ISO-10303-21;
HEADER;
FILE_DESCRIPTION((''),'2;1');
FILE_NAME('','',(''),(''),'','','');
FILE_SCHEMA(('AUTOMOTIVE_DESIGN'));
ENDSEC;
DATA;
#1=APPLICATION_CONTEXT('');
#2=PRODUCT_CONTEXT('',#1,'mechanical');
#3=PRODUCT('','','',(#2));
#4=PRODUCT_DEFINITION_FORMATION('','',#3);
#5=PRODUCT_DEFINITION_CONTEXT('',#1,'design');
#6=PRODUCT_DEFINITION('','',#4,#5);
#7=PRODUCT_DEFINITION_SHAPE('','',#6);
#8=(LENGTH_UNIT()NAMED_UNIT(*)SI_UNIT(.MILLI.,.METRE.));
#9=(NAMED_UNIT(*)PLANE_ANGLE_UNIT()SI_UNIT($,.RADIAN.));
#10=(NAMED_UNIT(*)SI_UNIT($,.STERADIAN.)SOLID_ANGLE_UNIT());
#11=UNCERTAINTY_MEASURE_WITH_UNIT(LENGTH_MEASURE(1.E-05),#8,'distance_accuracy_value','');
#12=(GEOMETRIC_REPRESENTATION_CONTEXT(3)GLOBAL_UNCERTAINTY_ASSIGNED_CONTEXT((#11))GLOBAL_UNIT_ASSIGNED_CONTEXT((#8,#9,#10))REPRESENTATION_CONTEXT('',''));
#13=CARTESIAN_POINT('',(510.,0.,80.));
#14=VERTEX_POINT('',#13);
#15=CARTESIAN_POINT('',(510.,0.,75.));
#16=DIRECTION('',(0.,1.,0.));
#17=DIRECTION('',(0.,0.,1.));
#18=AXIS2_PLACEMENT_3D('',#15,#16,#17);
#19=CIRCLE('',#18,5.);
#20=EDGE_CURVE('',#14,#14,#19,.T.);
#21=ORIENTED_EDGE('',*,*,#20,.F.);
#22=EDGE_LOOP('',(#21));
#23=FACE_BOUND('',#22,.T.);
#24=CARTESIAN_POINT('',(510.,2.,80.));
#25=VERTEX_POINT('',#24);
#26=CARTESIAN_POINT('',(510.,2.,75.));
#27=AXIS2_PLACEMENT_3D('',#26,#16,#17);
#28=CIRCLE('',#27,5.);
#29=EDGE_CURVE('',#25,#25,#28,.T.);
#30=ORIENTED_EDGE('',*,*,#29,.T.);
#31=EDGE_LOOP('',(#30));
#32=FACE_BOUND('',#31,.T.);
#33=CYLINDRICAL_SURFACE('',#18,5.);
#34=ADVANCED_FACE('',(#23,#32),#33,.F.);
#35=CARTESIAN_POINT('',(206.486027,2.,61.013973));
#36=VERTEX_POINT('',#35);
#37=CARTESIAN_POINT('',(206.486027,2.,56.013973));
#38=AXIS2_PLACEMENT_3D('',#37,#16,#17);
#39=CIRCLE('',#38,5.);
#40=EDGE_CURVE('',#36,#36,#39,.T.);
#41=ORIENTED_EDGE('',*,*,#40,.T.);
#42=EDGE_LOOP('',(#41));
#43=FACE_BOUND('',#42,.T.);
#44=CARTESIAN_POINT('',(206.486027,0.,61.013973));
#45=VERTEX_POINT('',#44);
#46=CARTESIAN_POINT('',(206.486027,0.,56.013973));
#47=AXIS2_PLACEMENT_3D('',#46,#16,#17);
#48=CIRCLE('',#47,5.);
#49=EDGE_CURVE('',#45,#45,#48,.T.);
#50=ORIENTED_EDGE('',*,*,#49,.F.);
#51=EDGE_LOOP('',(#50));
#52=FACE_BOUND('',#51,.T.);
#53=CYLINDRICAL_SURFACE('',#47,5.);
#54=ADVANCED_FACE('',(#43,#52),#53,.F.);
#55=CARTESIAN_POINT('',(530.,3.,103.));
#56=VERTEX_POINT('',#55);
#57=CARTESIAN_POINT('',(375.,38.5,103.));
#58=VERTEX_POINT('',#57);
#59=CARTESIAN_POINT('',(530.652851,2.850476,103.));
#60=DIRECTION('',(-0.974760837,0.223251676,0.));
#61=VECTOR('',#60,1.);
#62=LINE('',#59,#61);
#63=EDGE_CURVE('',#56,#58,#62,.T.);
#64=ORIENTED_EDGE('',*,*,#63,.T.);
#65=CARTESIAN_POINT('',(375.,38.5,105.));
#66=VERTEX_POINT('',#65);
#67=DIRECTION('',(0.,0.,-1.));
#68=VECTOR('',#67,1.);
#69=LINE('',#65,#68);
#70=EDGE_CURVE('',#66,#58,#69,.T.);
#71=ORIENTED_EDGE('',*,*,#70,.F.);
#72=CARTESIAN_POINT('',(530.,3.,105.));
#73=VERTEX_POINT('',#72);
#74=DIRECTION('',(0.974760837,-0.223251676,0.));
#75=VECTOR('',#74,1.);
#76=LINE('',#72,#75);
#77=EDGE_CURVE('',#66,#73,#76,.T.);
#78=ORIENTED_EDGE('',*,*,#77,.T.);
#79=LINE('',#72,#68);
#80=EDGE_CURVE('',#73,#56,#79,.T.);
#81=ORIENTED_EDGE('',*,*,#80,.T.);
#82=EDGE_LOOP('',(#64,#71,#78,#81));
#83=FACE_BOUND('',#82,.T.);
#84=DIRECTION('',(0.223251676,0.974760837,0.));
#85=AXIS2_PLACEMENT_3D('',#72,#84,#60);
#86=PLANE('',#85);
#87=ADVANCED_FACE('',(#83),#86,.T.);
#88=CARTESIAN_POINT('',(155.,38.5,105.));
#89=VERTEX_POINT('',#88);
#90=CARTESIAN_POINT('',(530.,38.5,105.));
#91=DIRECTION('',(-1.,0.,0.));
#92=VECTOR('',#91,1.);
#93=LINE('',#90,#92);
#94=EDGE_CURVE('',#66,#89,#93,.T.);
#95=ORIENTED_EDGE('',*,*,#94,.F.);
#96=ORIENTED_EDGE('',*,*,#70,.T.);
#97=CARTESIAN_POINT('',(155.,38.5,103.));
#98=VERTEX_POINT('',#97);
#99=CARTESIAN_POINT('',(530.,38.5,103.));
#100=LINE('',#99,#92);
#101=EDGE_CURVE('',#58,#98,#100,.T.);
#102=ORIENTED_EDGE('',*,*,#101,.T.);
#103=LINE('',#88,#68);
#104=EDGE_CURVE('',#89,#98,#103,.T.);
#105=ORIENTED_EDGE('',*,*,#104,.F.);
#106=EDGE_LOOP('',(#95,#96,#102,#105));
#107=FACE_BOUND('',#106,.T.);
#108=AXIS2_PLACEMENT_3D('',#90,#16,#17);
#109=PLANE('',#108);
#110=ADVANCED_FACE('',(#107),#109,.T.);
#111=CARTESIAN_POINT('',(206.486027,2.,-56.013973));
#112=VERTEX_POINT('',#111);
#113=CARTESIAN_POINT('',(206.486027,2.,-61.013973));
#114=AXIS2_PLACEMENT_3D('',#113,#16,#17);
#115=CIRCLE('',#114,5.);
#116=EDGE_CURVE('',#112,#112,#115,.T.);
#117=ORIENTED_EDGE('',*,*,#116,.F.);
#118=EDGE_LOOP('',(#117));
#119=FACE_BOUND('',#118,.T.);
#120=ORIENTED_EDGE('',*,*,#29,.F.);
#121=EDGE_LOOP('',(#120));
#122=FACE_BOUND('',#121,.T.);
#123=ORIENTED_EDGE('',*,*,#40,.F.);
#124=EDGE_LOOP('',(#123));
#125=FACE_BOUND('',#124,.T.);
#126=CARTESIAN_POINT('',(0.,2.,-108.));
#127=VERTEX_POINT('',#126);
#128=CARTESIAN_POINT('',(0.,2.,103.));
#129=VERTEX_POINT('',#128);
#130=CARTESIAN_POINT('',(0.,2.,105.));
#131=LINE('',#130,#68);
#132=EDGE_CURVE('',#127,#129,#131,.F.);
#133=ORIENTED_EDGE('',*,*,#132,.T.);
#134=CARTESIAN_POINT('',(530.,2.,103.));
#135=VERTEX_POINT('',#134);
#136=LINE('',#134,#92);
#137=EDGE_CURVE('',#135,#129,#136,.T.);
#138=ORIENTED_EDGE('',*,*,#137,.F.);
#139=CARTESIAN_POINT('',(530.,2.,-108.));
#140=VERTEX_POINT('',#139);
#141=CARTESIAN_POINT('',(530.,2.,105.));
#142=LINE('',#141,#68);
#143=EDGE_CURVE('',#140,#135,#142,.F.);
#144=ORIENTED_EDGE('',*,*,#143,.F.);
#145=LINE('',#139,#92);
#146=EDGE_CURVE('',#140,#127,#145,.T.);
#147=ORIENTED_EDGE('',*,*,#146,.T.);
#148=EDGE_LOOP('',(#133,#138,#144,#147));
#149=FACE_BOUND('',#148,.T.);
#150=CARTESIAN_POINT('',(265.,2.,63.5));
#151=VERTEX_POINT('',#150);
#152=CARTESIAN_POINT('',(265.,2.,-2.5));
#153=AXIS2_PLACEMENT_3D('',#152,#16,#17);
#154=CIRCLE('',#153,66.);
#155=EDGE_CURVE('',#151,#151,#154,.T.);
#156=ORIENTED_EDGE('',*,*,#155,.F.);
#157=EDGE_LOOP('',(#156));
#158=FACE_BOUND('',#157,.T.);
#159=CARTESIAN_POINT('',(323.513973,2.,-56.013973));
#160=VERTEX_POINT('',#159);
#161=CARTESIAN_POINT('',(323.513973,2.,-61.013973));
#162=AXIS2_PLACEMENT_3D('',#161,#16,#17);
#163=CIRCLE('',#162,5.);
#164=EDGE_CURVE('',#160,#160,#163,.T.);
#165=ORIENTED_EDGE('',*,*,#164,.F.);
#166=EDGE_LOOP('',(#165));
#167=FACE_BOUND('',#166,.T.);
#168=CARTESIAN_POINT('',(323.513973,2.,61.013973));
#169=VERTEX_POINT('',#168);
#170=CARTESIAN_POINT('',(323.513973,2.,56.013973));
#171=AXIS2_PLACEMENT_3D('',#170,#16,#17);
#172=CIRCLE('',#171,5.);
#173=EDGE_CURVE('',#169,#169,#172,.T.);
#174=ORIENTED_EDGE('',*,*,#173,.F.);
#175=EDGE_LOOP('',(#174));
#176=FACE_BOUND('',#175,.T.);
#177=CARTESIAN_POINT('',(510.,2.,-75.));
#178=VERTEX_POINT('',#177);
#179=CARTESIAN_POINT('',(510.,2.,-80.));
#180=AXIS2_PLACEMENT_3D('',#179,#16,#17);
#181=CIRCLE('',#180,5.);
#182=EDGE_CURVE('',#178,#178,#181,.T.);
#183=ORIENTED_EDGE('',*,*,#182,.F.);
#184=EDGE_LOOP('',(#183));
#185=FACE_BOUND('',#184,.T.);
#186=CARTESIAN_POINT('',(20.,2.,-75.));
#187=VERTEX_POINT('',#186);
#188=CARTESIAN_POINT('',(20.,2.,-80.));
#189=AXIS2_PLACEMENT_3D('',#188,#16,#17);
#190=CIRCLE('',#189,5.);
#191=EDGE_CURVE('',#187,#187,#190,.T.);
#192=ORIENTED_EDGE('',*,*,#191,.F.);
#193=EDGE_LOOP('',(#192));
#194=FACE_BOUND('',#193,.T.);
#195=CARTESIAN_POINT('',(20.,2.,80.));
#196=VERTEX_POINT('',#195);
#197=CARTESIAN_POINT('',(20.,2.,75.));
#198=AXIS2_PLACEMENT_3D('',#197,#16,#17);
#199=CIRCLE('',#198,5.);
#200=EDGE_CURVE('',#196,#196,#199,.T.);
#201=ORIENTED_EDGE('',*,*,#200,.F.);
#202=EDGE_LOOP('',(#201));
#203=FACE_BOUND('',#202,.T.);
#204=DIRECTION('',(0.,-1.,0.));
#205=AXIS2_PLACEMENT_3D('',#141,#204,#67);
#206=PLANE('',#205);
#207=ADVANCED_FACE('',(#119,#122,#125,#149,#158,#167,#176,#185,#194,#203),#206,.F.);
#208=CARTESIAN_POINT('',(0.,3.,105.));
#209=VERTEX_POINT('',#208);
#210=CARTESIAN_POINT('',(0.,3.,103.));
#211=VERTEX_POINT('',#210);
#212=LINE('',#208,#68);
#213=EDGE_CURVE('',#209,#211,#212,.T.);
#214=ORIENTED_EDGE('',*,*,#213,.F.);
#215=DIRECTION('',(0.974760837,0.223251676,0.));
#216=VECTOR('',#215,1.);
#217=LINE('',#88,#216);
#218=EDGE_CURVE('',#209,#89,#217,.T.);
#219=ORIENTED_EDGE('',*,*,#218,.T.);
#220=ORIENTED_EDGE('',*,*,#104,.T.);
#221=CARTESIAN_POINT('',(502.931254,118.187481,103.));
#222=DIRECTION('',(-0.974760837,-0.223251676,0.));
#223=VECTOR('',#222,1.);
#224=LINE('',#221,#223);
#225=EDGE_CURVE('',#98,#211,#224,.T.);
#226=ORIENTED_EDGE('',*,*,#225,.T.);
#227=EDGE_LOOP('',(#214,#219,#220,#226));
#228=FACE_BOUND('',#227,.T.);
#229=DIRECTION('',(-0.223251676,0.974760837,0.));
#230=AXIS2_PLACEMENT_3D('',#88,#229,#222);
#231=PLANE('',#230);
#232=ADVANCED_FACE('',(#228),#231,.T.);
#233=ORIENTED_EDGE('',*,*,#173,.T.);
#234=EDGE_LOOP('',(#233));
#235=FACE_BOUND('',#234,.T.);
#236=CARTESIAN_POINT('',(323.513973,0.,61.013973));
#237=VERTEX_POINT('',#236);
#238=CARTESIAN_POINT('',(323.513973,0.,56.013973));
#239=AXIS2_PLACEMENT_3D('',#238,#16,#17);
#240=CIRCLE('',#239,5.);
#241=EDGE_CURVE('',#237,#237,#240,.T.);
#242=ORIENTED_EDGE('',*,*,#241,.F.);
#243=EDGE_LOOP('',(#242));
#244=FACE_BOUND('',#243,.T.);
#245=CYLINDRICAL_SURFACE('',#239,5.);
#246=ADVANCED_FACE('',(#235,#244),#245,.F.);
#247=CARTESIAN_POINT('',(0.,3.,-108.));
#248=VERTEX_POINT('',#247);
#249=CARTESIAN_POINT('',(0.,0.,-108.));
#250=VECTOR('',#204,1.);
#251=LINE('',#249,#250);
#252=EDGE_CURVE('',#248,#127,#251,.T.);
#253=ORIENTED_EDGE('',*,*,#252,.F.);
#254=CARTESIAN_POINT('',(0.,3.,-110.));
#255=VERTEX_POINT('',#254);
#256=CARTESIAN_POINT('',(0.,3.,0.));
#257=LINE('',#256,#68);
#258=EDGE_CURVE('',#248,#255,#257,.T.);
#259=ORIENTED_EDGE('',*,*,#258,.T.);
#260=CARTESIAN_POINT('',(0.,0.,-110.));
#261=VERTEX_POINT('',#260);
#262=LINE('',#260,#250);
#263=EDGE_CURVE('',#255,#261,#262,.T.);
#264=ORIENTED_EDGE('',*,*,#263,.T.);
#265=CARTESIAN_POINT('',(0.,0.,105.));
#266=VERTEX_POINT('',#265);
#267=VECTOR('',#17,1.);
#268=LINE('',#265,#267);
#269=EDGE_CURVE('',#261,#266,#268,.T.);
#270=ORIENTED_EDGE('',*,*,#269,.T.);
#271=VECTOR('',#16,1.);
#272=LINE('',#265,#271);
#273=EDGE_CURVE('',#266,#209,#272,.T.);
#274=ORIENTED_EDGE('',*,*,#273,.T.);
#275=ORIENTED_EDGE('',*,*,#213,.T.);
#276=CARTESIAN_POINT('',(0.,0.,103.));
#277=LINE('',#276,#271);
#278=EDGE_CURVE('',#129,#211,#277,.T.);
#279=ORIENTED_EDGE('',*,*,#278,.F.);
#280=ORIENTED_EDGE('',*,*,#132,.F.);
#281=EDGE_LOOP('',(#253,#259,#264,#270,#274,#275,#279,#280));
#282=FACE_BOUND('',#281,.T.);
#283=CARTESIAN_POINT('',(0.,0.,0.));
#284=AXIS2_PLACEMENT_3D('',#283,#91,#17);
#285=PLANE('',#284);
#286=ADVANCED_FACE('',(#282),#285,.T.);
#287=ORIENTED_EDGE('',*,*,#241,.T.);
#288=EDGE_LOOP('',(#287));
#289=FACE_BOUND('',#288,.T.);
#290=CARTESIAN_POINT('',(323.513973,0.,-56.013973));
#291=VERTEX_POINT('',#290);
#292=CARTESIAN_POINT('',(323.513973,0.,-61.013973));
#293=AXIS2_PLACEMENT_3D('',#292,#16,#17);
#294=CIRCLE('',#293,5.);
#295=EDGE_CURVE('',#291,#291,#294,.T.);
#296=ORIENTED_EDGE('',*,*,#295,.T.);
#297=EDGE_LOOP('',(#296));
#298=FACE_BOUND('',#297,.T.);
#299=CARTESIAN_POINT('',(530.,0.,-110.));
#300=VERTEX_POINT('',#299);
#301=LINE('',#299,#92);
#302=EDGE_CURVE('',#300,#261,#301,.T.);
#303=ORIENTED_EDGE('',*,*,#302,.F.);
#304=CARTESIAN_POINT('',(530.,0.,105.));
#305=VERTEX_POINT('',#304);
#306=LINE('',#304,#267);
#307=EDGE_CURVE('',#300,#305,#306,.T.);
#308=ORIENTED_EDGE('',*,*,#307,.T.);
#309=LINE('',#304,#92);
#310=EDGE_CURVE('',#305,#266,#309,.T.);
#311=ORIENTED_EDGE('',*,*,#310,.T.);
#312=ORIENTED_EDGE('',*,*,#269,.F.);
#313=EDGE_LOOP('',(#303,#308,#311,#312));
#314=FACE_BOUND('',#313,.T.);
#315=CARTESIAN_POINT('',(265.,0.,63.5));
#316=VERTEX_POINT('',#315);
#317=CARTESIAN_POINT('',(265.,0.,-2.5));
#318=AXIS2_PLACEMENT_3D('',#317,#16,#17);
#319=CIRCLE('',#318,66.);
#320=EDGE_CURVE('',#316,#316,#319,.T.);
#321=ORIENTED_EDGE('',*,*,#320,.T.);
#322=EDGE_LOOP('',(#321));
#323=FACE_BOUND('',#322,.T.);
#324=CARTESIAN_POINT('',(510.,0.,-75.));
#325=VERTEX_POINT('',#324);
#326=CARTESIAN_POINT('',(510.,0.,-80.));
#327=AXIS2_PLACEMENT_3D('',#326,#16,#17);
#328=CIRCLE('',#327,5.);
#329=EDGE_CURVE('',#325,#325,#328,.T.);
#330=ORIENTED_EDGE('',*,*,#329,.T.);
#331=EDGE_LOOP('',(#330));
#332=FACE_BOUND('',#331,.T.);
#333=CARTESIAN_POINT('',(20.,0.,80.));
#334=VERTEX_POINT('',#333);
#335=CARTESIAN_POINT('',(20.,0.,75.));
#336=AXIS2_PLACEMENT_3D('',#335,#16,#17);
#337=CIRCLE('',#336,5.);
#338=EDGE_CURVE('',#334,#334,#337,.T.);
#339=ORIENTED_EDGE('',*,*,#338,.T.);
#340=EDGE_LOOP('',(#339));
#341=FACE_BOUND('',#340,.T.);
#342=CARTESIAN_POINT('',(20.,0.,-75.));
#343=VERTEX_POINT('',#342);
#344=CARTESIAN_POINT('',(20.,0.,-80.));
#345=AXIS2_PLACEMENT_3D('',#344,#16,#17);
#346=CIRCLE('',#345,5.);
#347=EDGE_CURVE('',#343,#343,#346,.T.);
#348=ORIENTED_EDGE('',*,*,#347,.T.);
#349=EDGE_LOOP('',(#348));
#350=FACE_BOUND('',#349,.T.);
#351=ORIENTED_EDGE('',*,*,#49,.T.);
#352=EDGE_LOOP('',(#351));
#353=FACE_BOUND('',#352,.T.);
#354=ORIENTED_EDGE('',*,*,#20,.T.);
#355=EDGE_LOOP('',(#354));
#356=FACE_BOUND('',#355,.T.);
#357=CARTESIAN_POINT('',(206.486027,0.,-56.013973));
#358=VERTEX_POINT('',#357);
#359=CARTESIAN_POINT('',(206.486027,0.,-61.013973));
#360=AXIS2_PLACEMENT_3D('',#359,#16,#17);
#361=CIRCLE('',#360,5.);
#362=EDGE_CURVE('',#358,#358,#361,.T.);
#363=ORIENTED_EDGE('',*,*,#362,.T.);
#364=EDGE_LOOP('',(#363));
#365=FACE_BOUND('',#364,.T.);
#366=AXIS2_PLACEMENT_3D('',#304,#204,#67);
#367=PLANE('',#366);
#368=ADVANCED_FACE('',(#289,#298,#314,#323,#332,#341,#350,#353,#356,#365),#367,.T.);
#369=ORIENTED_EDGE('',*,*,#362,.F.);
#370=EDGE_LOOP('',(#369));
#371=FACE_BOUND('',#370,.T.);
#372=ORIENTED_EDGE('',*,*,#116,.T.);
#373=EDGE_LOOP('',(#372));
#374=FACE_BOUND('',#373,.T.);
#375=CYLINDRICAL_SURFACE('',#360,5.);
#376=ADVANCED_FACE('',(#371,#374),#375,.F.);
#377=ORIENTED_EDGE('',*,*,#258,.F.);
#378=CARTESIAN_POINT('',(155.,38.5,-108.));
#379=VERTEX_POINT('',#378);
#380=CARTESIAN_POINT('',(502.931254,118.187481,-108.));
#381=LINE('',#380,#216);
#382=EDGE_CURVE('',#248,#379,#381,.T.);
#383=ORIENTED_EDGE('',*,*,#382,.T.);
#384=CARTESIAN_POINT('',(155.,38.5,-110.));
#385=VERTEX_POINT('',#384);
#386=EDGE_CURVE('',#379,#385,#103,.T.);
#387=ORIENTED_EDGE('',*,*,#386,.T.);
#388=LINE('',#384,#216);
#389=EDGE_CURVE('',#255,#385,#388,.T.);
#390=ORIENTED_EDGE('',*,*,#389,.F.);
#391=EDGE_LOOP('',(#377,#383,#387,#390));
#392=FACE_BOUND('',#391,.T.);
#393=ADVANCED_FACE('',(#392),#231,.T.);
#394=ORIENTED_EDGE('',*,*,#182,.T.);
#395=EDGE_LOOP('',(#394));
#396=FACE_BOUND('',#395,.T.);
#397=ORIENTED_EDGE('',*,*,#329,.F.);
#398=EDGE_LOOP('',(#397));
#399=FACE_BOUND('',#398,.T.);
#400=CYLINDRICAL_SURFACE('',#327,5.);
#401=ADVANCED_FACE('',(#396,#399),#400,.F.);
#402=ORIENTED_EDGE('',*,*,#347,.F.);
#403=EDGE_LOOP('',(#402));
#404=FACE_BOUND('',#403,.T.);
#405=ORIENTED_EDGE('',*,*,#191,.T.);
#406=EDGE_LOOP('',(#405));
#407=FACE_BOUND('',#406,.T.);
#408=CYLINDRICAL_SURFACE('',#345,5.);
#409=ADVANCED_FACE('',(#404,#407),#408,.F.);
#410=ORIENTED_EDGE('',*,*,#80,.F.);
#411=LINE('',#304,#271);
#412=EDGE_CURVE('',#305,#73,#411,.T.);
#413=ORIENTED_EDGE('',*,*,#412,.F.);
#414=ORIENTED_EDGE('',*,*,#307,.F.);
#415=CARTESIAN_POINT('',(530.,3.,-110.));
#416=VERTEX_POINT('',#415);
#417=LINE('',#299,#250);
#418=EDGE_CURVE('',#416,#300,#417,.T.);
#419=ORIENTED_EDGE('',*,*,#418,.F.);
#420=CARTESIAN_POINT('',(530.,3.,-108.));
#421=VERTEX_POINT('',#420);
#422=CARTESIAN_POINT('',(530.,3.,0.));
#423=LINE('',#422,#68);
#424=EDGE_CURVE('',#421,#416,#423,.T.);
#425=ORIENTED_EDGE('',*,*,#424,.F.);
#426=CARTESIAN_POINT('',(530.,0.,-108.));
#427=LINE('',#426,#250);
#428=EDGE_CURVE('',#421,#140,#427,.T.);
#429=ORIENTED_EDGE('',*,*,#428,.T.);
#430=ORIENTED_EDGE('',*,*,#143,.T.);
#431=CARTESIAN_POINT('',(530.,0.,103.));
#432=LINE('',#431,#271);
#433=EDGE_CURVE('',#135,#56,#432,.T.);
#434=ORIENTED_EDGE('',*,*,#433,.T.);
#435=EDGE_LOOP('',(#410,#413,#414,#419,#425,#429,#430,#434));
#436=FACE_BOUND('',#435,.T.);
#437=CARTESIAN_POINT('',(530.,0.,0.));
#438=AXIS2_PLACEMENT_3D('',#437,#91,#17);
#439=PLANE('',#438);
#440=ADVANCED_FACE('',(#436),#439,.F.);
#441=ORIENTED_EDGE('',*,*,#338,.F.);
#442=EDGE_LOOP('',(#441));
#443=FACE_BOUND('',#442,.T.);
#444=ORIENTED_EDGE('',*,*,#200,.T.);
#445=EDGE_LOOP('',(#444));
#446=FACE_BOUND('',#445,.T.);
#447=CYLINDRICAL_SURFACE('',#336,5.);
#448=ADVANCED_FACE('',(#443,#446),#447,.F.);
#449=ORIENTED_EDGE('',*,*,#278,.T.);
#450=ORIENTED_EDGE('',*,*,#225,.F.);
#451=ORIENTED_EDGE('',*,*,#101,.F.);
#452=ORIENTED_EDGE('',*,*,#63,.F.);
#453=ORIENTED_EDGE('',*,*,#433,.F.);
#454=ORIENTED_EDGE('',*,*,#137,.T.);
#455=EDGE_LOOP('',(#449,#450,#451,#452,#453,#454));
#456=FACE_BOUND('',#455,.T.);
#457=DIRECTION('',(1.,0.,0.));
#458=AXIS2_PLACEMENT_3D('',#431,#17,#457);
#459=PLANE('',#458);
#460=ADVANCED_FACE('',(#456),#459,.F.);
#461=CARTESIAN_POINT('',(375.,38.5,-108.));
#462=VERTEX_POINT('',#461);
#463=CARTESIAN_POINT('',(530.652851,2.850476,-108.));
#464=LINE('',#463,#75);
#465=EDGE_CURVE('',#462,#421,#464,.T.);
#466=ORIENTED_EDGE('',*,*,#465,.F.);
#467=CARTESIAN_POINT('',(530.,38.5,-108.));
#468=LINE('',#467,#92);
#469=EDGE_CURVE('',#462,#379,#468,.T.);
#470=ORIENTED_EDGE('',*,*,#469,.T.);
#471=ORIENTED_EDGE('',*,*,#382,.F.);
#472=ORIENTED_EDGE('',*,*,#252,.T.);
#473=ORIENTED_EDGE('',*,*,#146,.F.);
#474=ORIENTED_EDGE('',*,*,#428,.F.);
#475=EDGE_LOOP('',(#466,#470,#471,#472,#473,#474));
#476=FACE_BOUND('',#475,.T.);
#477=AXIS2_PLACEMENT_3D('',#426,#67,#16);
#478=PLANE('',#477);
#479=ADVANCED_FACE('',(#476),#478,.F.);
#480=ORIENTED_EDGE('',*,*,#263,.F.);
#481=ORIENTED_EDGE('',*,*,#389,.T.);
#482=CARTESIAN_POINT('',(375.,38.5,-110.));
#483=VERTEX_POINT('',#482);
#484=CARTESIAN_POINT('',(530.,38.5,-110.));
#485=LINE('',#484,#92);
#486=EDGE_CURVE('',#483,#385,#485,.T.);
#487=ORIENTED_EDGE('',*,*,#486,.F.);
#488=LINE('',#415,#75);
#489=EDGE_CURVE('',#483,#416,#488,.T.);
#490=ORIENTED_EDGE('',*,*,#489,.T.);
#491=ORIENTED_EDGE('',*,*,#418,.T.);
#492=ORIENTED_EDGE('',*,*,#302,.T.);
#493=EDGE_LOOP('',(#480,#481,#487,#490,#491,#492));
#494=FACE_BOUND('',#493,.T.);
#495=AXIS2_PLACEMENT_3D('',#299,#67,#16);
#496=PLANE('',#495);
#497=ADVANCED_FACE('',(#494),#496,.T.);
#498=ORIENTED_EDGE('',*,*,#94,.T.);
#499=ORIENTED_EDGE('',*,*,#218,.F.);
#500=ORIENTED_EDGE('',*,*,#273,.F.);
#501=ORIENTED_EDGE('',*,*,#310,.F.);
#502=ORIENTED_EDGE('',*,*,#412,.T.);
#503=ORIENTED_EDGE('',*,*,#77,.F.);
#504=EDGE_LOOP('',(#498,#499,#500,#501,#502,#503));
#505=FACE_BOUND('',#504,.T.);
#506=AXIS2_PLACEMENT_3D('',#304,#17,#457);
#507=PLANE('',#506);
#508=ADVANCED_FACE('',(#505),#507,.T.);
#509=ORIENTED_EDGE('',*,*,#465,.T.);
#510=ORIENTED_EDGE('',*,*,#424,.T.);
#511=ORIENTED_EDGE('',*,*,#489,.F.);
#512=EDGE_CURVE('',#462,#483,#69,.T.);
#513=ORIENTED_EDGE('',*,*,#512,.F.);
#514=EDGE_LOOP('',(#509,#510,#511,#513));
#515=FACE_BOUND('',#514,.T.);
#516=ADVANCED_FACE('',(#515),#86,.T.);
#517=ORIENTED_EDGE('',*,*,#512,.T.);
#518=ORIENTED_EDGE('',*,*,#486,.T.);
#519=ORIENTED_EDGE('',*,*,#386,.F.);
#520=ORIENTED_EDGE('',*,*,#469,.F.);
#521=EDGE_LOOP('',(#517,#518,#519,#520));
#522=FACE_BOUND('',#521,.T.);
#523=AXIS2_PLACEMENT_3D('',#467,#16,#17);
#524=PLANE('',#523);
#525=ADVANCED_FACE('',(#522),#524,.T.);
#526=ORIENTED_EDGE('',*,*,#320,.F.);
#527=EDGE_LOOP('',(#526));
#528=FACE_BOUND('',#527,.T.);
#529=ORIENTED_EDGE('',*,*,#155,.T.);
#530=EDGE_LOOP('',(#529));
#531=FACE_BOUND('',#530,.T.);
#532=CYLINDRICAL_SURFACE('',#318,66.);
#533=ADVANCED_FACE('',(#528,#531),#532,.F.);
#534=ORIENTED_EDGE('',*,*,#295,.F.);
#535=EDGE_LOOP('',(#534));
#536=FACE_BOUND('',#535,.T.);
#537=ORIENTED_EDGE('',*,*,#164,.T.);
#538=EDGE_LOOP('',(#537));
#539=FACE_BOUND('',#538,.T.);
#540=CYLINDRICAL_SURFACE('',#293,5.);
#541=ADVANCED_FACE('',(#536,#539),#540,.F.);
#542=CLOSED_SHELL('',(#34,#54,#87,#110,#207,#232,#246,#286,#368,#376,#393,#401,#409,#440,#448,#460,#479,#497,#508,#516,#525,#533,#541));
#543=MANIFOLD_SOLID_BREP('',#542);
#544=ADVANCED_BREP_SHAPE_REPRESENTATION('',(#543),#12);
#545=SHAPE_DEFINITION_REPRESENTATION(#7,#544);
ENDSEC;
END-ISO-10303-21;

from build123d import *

# Parameters (mm, degrees)
EXTRUDE_1_DEPTH     = 530
SKETCH_2_OUTSIDE_W  = 646.648
SKETCH_2_OUTSIDE_H  = 155.148
CUT_EXTRUDE_2_DEPTH = 216
SKETCH_3_R          = 5
SKETCH_3_R_2        = 66
CUT_EXTRUDE_3_DEPTH = 3


with BuildPart() as part:
    # Эскиз1 → Вытянуть-Тонкостенный1 (new body)
    with BuildSketch(Plane(origin=(0, 0, 0), x_dir=(0, 0, -1), z_dir=(1, 0, 0))):
        Polygon((-105, 38.5), (-105, 0), (110, 0), (110, 38.5), (108, 38.5), (108, 2), (-103, 2), (-103, 38.5), align=None)
    extrude(amount=EXTRUDE_1_DEPTH)

    # Эскиз2 outside → Вырез-Вытянуть2 (cut, through all)
    with BuildSketch(Plane(origin=(0, 0, -110), x_dir=(-1, 0, 0), z_dir=(0, 0, -1))):
        with Locations((-265, 19.25)):
            Rectangle(SKETCH_2_OUTSIDE_W, SKETCH_2_OUTSIDE_H)
        Polygon((-530, 0), (-530, 3), (-375, 38.5), (-155, 38.5), (0, 3), (0, 0), align=None, mode=Mode.SUBTRACT)
    extrude(amount=-CUT_EXTRUDE_2_DEPTH, mode=Mode.SUBTRACT)

    # Эскиз3 → Вырез-Вытянуть3 (cut, through all)
    with BuildSketch(Plane(origin=(0, 2, 0), x_dir=(1, 0, 0), z_dir=(0, 1, 0))):
        with Locations((20, 80)):
            Circle(SKETCH_3_R)
        with Locations((20, -75)):
            Circle(SKETCH_3_R)
        with Locations((510, 80)):
            Circle(SKETCH_3_R)
        with Locations((510, -75)):
            Circle(SKETCH_3_R)
        with Locations((265, 2.5)):
            Circle(SKETCH_3_R_2)
        with Locations((323.513972874, 61.013972874)):
            Circle(SKETCH_3_R)
        with Locations((323.513972874, -56.013972874)):
            Circle(SKETCH_3_R)
        with Locations((206.486027126, -56.013972874)):
            Circle(SKETCH_3_R)
        with Locations((206.486027126, 61.013972874)):
            Circle(SKETCH_3_R)
    extrude(amount=-CUT_EXTRUDE_3_DEPTH, mode=Mode.SUBTRACT)


solid = part.part
